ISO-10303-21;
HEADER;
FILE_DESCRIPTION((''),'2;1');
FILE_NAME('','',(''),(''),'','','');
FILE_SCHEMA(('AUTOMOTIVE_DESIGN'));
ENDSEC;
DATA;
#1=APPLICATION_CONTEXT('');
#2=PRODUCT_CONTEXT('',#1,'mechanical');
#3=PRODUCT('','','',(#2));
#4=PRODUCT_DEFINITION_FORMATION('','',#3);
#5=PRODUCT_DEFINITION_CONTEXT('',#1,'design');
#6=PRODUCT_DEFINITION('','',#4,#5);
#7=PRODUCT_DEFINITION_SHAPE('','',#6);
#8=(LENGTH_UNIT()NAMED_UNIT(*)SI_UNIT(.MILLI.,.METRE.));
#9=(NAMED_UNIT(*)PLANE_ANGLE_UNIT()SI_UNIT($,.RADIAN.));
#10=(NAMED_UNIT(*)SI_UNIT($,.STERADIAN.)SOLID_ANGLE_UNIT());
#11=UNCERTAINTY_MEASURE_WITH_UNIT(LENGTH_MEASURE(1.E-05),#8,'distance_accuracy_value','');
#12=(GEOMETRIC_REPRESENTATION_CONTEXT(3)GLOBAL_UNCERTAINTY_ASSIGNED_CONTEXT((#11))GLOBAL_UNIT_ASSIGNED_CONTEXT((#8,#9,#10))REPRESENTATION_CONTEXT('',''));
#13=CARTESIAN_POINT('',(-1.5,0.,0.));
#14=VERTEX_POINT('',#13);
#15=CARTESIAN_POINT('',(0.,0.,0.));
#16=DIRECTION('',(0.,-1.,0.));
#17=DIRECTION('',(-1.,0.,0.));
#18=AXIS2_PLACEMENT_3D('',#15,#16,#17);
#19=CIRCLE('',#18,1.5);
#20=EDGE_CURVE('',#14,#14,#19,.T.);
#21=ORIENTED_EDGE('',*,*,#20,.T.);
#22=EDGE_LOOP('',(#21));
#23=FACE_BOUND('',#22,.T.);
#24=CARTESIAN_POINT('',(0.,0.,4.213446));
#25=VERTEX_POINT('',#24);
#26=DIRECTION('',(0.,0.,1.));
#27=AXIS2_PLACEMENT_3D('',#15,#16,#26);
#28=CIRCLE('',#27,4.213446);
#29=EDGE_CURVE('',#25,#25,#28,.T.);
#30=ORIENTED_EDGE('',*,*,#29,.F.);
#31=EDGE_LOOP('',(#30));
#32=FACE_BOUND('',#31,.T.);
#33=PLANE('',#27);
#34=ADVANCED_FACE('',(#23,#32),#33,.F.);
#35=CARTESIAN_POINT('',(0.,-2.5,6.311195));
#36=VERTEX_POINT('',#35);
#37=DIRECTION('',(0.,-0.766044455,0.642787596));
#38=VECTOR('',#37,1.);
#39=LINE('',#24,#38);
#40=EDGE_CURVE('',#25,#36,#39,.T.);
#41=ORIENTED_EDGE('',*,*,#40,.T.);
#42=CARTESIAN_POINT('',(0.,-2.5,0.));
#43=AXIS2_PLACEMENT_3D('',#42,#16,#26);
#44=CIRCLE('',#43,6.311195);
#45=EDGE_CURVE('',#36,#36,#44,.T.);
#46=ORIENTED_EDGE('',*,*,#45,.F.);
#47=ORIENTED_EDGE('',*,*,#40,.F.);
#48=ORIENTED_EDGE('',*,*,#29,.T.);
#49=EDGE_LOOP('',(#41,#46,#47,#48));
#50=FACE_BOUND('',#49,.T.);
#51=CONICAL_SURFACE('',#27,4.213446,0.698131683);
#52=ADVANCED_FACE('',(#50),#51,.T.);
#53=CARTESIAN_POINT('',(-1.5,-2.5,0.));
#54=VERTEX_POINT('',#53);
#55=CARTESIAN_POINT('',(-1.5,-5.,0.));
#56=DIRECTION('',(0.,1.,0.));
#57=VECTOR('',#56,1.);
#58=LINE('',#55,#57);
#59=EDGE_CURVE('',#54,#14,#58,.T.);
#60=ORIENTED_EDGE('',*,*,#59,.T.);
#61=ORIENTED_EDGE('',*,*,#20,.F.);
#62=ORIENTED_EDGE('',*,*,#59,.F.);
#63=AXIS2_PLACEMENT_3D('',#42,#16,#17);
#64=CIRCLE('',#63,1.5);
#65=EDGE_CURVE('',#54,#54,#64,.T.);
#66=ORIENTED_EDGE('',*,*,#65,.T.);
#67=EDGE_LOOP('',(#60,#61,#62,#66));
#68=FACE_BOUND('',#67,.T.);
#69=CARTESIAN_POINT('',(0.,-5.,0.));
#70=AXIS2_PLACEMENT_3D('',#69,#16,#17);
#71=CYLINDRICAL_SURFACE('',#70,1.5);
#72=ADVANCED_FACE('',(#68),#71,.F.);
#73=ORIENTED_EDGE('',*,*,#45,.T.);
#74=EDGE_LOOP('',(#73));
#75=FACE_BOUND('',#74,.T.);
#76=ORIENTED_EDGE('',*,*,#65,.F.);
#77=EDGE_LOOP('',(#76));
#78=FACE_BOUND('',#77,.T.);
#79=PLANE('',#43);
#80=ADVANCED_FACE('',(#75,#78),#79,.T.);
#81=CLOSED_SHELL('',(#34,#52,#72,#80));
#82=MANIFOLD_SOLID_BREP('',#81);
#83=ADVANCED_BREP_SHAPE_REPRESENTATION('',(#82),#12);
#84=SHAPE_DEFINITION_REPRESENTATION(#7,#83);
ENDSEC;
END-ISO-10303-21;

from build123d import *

# Parameters (mm, degrees)
CYLINDER_R          = 1.5
CYLINDER_DEPTH      = 10
CYLINDER_ROLL_ANGLE = 90
CUT_PLACEMENT_ANGLE = 180


with BuildPart() as cylinder:
    # Cylinder → Cylinder (new body)
    with BuildSketch(Plane.XY):
        Circle(CYLINDER_R)
    extrude(amount=CYLINDER_DEPTH)


with BuildPart() as cylinder_1:
    # Cylinder roll: moved
    add(cylinder.part.rotate(Axis((0, 0, 0), (1, 0, 0)), CYLINDER_ROLL_ANGLE))


with BuildPart() as cylinder_2:
    # Cylinder placement: moved
    add(cylinder_1.part.moved(Location((0, 5, 0))))


with BuildPart() as innerbearing:
    # Sketch004 → Revolution (revolve)
    with BuildSketch(Plane.YZ):
        Polygon((0, 4.213446), (2.5, 6.311195), (2.5, 0), (0, 0), align=None)
    revolve(axis=Axis((0, 0, 0), (0, 1, 0)))

    # Cut: cut Cylinder
    add(cylinder_2.part, mode=Mode.SUBTRACT)


with BuildPart() as innerbearing_1:
    # Cut placement: moved
    add(innerbearing.part.rotate(Axis((0, 0, 0), (0, 0, 1)), CUT_PLACEMENT_ANGLE))


solid = innerbearing_1.part
